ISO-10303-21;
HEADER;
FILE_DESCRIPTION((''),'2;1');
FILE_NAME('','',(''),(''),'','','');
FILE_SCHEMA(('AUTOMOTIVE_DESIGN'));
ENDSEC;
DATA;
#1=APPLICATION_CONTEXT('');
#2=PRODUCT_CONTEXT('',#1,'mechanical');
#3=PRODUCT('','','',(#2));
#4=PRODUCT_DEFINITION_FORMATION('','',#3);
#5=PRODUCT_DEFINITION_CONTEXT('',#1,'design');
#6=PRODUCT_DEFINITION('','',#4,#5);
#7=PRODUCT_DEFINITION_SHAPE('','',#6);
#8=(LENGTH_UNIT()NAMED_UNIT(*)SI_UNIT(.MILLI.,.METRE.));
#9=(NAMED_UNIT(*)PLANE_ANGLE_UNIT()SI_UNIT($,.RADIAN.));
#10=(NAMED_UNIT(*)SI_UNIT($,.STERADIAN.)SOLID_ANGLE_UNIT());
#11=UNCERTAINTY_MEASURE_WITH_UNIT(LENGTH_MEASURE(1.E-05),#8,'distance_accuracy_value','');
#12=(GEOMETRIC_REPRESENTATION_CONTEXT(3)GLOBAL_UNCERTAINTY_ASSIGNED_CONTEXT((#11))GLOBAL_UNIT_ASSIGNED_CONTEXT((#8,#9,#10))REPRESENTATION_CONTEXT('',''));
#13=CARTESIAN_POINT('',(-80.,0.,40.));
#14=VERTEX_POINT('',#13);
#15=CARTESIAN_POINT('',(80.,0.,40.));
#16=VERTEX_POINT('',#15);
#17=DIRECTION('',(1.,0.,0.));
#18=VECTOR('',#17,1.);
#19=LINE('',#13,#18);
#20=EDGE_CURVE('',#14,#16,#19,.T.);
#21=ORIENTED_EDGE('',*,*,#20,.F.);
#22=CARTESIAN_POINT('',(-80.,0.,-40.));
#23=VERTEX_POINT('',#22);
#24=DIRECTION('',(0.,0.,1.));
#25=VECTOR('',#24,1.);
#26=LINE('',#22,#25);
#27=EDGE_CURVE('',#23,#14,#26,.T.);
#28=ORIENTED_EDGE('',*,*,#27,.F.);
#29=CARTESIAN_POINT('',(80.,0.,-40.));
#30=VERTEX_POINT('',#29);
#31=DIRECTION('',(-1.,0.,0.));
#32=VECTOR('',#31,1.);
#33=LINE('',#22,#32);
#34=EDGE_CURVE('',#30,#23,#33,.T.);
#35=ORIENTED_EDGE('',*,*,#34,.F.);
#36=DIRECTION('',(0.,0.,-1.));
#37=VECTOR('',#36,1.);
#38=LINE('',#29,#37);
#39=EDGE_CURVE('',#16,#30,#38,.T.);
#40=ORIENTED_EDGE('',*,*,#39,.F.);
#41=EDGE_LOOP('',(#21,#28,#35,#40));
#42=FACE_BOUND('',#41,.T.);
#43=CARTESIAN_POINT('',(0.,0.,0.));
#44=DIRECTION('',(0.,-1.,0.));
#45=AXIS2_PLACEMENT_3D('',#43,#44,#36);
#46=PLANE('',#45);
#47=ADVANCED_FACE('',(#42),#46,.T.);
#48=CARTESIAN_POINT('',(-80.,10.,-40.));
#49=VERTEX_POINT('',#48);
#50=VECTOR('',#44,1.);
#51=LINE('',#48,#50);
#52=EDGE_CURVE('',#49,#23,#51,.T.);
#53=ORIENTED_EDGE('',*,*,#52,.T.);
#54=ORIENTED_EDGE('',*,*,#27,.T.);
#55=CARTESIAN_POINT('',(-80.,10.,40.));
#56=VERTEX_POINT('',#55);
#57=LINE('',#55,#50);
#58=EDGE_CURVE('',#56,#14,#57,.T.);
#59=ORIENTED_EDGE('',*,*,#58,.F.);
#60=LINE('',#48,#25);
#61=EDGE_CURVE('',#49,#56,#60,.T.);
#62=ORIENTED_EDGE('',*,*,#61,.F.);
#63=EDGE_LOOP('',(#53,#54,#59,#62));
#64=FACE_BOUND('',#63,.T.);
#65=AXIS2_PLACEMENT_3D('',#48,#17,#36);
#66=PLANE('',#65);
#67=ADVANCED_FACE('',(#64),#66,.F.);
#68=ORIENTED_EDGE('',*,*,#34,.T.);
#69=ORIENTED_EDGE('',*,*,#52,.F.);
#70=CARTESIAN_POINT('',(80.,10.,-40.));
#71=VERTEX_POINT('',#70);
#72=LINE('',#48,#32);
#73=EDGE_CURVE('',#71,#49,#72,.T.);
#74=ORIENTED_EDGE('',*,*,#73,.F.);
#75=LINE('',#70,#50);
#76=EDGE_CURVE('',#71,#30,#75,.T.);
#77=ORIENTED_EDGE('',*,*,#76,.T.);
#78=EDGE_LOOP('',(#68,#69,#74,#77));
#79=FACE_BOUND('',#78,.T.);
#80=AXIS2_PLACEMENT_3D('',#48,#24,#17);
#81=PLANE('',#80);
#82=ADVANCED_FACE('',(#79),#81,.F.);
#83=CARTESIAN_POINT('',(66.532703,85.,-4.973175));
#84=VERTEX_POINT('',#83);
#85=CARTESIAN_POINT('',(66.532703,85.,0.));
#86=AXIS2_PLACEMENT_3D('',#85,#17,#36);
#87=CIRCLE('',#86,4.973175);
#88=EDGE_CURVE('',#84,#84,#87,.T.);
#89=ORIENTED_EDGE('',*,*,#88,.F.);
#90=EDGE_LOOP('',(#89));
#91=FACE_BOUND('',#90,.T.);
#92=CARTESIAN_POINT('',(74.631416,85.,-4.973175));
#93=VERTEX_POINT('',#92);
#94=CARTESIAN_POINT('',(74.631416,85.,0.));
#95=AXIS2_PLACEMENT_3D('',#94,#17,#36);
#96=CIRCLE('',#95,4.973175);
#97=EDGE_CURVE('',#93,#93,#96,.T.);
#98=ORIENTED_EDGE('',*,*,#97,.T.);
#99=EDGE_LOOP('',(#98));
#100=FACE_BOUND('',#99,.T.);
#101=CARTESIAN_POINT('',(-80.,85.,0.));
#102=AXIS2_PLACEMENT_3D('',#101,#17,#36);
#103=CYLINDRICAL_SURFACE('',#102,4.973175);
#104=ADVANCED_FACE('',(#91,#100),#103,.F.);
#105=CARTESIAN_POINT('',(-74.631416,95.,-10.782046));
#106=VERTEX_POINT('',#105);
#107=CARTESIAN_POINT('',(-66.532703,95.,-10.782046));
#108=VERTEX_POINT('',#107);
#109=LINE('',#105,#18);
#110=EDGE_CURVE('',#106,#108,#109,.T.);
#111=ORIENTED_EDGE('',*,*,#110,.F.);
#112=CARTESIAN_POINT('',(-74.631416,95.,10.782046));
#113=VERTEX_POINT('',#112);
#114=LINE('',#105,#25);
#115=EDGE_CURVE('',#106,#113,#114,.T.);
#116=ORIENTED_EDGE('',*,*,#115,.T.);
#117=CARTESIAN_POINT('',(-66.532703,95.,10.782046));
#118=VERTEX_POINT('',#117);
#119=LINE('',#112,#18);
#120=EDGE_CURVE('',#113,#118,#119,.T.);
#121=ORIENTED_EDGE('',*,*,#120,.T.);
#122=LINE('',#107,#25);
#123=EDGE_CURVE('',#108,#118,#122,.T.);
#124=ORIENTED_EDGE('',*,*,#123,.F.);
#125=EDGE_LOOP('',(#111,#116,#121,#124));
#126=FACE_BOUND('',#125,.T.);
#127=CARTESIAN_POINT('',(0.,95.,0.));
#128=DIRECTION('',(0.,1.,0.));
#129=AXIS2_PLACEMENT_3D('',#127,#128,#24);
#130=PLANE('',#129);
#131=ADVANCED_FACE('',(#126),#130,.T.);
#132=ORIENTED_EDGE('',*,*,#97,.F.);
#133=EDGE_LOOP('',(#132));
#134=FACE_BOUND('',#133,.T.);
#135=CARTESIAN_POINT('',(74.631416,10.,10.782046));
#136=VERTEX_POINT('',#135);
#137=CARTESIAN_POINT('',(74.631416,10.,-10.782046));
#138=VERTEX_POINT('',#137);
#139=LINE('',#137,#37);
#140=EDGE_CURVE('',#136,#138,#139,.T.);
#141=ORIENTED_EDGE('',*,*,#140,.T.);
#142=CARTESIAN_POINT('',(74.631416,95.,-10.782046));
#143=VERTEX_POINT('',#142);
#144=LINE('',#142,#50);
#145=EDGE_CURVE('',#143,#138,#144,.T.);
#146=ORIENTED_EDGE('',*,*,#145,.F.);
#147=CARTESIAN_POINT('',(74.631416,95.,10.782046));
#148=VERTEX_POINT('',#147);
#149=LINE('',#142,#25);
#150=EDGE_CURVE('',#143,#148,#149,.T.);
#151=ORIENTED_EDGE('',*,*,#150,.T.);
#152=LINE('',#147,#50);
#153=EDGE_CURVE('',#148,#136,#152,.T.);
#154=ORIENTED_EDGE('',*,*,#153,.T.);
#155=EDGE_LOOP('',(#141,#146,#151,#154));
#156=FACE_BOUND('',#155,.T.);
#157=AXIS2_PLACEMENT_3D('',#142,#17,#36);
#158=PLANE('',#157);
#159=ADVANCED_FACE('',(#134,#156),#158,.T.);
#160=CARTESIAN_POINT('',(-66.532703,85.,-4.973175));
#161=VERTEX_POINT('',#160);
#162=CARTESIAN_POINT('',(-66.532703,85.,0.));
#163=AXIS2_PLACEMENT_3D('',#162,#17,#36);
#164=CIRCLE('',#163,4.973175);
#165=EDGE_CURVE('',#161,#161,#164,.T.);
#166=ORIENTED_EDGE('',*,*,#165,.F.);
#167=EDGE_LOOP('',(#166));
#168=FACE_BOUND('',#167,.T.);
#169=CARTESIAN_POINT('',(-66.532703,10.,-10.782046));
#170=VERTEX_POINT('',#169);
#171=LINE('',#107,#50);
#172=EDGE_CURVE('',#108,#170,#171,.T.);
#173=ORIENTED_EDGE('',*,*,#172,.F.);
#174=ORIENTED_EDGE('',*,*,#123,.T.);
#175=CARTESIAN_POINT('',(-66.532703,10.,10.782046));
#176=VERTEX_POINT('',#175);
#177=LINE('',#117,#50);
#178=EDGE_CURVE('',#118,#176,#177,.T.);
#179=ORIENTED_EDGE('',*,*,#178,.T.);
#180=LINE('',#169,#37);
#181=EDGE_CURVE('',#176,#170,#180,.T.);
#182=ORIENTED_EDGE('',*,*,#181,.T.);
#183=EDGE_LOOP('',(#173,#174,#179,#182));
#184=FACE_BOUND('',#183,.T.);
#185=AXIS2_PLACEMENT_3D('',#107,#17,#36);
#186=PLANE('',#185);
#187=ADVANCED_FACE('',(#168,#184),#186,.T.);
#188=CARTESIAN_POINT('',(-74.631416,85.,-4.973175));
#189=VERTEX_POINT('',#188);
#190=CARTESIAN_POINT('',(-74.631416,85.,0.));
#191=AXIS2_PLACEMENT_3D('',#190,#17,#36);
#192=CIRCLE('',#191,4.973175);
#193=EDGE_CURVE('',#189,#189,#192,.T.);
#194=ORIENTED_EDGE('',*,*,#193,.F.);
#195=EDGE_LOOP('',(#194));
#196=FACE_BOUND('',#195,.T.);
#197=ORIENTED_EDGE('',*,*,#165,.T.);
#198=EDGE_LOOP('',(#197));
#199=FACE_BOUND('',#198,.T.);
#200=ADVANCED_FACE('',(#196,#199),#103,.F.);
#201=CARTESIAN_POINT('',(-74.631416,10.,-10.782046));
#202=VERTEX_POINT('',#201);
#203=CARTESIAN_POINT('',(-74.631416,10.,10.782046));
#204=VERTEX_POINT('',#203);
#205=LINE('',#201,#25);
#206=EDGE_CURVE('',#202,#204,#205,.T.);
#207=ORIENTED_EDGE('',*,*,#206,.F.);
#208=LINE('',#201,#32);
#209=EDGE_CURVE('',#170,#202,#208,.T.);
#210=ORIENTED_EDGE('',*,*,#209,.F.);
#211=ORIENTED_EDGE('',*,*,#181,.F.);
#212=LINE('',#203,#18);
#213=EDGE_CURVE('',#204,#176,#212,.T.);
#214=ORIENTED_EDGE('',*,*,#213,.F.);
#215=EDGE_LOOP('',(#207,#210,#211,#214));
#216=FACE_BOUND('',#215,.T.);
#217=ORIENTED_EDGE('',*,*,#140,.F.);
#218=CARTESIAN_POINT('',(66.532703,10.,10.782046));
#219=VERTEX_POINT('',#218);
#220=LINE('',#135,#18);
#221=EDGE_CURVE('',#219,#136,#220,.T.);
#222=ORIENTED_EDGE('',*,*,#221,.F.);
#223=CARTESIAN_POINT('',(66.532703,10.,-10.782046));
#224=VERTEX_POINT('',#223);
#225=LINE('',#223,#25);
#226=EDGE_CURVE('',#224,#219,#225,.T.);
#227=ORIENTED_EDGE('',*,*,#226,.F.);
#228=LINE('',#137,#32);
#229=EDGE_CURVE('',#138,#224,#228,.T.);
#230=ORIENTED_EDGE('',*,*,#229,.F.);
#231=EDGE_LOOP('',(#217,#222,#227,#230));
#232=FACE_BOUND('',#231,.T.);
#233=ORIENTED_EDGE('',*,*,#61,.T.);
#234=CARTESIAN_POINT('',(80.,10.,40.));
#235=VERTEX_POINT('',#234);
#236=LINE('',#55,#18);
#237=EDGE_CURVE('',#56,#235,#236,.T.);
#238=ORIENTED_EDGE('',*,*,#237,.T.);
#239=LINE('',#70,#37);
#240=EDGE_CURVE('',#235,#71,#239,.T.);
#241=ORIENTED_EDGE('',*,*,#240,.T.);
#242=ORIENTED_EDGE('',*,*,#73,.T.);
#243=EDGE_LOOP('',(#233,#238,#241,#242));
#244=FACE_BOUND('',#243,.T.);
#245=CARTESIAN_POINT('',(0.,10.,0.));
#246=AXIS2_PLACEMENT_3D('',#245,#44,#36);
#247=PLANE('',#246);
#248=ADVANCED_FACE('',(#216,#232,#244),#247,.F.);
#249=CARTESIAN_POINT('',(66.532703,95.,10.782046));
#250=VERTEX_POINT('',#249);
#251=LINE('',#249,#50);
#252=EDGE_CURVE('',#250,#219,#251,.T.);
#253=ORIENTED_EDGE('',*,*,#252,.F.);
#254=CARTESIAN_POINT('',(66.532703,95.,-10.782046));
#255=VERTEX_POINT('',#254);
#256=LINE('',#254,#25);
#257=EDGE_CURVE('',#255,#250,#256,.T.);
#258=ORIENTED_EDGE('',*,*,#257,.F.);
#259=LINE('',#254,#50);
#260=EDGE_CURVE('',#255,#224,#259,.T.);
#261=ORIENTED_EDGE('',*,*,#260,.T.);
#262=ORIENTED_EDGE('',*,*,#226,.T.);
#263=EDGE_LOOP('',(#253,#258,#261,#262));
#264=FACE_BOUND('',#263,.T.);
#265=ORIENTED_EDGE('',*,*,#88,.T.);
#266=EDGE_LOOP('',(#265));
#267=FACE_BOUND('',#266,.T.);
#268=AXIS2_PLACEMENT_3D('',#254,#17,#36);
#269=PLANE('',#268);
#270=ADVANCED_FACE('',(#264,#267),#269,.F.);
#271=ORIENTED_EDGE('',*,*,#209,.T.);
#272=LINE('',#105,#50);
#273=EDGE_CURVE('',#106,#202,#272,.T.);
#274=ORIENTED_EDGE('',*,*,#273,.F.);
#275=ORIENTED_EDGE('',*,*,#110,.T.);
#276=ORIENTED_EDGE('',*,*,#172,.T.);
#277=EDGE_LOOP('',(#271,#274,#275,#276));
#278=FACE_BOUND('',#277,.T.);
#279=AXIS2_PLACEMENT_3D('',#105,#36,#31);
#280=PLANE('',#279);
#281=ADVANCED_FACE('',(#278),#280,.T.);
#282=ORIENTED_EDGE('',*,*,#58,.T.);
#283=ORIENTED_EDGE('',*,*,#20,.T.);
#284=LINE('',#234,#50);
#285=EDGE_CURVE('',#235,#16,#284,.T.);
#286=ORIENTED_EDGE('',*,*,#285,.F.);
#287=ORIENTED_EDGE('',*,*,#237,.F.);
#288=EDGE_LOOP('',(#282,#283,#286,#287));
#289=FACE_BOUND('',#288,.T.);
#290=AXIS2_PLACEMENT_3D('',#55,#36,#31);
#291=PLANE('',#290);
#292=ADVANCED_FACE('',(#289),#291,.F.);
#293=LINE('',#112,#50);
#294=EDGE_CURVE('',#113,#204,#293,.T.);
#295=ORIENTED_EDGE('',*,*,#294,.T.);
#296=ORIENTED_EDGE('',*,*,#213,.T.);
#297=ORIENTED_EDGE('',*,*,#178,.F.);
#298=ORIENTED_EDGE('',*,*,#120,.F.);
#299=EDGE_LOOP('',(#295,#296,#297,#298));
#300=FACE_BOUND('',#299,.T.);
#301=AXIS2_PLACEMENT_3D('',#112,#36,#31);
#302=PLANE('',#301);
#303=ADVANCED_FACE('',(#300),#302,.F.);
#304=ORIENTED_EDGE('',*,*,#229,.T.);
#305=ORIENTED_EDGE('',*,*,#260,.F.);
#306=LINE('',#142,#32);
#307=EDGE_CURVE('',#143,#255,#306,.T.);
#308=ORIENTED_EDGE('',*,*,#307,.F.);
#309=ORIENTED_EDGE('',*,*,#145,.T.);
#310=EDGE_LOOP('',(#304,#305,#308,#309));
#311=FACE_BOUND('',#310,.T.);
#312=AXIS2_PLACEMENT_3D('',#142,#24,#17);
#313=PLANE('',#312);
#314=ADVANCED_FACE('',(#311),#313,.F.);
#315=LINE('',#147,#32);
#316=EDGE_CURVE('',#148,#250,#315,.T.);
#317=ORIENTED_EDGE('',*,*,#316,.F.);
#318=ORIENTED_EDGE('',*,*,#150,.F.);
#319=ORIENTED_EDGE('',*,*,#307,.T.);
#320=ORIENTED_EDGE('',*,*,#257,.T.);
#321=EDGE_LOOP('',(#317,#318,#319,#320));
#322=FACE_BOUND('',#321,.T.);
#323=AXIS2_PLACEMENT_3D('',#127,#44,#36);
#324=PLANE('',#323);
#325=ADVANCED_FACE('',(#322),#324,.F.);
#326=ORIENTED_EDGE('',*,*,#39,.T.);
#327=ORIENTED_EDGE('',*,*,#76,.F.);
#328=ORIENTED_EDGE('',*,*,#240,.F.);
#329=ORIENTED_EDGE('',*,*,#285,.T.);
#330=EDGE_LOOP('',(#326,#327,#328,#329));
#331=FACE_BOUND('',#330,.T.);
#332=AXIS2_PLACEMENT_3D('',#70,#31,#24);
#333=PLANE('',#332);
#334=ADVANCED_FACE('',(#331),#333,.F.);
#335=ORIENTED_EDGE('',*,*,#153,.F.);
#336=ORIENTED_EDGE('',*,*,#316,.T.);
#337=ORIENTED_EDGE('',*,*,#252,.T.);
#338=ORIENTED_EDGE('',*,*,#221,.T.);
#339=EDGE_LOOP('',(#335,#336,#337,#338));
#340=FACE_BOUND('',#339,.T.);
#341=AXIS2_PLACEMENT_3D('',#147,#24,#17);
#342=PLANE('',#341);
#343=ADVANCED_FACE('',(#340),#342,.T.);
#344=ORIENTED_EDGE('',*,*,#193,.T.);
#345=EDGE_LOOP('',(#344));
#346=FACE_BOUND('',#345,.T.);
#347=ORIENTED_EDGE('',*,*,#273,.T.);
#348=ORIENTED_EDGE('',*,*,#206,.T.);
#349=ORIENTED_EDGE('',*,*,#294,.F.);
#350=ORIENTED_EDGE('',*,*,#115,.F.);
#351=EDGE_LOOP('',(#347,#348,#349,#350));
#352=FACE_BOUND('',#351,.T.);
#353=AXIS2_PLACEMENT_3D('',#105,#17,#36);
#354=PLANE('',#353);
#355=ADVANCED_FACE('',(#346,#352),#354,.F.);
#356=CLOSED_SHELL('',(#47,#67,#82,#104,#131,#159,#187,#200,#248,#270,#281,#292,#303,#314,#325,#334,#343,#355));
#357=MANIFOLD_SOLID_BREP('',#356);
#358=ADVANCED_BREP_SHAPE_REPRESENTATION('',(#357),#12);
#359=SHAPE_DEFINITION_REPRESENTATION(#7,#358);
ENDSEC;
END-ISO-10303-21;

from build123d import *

# Parameters (mm, degrees)
SKETCH1_W             = 8.098713366
SKETCH1_H             = 21.564091284
BOSS_EXTRUDE2_DEPTH   = 95
BOSS_EXTRUDE2_2_DEPTH = 95
SKETCH1_5_W           = 160
SKETCH1_5_H           = 80
SKETCH1_5_W_2         = 8.098713366
SKETCH1_5_H_2         = 21.564091284
BOSS_EXTRUDE3_DEPTH   = 10
SKETCH3_R             = 4.973174901
CUT_EXTRUDE1_DEPTH    = 155.631415981


with BuildPart() as part:
    # Sketch1 → Boss-Extrude2 (new body)
    with BuildSketch(Plane(origin=(0, 0, 0), x_dir=(1, 0, 0), z_dir=(0, 1, 0))):
        with Locations((-70.582059298, 0)):
            Rectangle(SKETCH1_W, SKETCH1_H)
    extrude(amount=BOSS_EXTRUDE2_DEPTH)



with BuildPart() as body_2:
    # Sketch1 → Boss-Extrude2 2 (new body)
    with BuildSketch(Plane(origin=(0, 0, 0), x_dir=(1, 0, 0), z_dir=(0, 1, 0))):
        with Locations((70.582059298, 0)):
            Rectangle(SKETCH1_W, SKETCH1_H)
    extrude(amount=BOSS_EXTRUDE2_2_DEPTH)


with BuildPart() as part_1:
    add(part.part)

    add(body_2.part)  # Boss-Extrude3 merges body 2
    # Sketch1<5> → Boss-Extrude3 (add)
    with BuildSketch(Plane(origin=(0, 0, 0), x_dir=(1, 0, 0), z_dir=(0, 1, 0))):
        Rectangle(SKETCH1_5_W, SKETCH1_5_H)
        with Locations((-70.582059298, 0)):
            Rectangle(SKETCH1_5_W_2, SKETCH1_5_H_2, mode=Mode.SUBTRACT)
        with Locations((70.582059298, 0)):
            Rectangle(SKETCH1_5_W_2, SKETCH1_5_H_2, mode=Mode.SUBTRACT)
    extrude(amount=BOSS_EXTRUDE3_DEPTH)

    # Sketch3 → Cut-Extrude1 (cut, through all)
    with BuildSketch(Plane(origin=(74.631415981, 0, 0), x_dir=(0, 0, -1), z_dir=(1, 0, 0))):
        with Locations((0, 85)):
            Circle(SKETCH3_R)
    extrude(amount=-CUT_EXTRUDE1_DEPTH, mode=Mode.SUBTRACT)


solid = part_1.part
